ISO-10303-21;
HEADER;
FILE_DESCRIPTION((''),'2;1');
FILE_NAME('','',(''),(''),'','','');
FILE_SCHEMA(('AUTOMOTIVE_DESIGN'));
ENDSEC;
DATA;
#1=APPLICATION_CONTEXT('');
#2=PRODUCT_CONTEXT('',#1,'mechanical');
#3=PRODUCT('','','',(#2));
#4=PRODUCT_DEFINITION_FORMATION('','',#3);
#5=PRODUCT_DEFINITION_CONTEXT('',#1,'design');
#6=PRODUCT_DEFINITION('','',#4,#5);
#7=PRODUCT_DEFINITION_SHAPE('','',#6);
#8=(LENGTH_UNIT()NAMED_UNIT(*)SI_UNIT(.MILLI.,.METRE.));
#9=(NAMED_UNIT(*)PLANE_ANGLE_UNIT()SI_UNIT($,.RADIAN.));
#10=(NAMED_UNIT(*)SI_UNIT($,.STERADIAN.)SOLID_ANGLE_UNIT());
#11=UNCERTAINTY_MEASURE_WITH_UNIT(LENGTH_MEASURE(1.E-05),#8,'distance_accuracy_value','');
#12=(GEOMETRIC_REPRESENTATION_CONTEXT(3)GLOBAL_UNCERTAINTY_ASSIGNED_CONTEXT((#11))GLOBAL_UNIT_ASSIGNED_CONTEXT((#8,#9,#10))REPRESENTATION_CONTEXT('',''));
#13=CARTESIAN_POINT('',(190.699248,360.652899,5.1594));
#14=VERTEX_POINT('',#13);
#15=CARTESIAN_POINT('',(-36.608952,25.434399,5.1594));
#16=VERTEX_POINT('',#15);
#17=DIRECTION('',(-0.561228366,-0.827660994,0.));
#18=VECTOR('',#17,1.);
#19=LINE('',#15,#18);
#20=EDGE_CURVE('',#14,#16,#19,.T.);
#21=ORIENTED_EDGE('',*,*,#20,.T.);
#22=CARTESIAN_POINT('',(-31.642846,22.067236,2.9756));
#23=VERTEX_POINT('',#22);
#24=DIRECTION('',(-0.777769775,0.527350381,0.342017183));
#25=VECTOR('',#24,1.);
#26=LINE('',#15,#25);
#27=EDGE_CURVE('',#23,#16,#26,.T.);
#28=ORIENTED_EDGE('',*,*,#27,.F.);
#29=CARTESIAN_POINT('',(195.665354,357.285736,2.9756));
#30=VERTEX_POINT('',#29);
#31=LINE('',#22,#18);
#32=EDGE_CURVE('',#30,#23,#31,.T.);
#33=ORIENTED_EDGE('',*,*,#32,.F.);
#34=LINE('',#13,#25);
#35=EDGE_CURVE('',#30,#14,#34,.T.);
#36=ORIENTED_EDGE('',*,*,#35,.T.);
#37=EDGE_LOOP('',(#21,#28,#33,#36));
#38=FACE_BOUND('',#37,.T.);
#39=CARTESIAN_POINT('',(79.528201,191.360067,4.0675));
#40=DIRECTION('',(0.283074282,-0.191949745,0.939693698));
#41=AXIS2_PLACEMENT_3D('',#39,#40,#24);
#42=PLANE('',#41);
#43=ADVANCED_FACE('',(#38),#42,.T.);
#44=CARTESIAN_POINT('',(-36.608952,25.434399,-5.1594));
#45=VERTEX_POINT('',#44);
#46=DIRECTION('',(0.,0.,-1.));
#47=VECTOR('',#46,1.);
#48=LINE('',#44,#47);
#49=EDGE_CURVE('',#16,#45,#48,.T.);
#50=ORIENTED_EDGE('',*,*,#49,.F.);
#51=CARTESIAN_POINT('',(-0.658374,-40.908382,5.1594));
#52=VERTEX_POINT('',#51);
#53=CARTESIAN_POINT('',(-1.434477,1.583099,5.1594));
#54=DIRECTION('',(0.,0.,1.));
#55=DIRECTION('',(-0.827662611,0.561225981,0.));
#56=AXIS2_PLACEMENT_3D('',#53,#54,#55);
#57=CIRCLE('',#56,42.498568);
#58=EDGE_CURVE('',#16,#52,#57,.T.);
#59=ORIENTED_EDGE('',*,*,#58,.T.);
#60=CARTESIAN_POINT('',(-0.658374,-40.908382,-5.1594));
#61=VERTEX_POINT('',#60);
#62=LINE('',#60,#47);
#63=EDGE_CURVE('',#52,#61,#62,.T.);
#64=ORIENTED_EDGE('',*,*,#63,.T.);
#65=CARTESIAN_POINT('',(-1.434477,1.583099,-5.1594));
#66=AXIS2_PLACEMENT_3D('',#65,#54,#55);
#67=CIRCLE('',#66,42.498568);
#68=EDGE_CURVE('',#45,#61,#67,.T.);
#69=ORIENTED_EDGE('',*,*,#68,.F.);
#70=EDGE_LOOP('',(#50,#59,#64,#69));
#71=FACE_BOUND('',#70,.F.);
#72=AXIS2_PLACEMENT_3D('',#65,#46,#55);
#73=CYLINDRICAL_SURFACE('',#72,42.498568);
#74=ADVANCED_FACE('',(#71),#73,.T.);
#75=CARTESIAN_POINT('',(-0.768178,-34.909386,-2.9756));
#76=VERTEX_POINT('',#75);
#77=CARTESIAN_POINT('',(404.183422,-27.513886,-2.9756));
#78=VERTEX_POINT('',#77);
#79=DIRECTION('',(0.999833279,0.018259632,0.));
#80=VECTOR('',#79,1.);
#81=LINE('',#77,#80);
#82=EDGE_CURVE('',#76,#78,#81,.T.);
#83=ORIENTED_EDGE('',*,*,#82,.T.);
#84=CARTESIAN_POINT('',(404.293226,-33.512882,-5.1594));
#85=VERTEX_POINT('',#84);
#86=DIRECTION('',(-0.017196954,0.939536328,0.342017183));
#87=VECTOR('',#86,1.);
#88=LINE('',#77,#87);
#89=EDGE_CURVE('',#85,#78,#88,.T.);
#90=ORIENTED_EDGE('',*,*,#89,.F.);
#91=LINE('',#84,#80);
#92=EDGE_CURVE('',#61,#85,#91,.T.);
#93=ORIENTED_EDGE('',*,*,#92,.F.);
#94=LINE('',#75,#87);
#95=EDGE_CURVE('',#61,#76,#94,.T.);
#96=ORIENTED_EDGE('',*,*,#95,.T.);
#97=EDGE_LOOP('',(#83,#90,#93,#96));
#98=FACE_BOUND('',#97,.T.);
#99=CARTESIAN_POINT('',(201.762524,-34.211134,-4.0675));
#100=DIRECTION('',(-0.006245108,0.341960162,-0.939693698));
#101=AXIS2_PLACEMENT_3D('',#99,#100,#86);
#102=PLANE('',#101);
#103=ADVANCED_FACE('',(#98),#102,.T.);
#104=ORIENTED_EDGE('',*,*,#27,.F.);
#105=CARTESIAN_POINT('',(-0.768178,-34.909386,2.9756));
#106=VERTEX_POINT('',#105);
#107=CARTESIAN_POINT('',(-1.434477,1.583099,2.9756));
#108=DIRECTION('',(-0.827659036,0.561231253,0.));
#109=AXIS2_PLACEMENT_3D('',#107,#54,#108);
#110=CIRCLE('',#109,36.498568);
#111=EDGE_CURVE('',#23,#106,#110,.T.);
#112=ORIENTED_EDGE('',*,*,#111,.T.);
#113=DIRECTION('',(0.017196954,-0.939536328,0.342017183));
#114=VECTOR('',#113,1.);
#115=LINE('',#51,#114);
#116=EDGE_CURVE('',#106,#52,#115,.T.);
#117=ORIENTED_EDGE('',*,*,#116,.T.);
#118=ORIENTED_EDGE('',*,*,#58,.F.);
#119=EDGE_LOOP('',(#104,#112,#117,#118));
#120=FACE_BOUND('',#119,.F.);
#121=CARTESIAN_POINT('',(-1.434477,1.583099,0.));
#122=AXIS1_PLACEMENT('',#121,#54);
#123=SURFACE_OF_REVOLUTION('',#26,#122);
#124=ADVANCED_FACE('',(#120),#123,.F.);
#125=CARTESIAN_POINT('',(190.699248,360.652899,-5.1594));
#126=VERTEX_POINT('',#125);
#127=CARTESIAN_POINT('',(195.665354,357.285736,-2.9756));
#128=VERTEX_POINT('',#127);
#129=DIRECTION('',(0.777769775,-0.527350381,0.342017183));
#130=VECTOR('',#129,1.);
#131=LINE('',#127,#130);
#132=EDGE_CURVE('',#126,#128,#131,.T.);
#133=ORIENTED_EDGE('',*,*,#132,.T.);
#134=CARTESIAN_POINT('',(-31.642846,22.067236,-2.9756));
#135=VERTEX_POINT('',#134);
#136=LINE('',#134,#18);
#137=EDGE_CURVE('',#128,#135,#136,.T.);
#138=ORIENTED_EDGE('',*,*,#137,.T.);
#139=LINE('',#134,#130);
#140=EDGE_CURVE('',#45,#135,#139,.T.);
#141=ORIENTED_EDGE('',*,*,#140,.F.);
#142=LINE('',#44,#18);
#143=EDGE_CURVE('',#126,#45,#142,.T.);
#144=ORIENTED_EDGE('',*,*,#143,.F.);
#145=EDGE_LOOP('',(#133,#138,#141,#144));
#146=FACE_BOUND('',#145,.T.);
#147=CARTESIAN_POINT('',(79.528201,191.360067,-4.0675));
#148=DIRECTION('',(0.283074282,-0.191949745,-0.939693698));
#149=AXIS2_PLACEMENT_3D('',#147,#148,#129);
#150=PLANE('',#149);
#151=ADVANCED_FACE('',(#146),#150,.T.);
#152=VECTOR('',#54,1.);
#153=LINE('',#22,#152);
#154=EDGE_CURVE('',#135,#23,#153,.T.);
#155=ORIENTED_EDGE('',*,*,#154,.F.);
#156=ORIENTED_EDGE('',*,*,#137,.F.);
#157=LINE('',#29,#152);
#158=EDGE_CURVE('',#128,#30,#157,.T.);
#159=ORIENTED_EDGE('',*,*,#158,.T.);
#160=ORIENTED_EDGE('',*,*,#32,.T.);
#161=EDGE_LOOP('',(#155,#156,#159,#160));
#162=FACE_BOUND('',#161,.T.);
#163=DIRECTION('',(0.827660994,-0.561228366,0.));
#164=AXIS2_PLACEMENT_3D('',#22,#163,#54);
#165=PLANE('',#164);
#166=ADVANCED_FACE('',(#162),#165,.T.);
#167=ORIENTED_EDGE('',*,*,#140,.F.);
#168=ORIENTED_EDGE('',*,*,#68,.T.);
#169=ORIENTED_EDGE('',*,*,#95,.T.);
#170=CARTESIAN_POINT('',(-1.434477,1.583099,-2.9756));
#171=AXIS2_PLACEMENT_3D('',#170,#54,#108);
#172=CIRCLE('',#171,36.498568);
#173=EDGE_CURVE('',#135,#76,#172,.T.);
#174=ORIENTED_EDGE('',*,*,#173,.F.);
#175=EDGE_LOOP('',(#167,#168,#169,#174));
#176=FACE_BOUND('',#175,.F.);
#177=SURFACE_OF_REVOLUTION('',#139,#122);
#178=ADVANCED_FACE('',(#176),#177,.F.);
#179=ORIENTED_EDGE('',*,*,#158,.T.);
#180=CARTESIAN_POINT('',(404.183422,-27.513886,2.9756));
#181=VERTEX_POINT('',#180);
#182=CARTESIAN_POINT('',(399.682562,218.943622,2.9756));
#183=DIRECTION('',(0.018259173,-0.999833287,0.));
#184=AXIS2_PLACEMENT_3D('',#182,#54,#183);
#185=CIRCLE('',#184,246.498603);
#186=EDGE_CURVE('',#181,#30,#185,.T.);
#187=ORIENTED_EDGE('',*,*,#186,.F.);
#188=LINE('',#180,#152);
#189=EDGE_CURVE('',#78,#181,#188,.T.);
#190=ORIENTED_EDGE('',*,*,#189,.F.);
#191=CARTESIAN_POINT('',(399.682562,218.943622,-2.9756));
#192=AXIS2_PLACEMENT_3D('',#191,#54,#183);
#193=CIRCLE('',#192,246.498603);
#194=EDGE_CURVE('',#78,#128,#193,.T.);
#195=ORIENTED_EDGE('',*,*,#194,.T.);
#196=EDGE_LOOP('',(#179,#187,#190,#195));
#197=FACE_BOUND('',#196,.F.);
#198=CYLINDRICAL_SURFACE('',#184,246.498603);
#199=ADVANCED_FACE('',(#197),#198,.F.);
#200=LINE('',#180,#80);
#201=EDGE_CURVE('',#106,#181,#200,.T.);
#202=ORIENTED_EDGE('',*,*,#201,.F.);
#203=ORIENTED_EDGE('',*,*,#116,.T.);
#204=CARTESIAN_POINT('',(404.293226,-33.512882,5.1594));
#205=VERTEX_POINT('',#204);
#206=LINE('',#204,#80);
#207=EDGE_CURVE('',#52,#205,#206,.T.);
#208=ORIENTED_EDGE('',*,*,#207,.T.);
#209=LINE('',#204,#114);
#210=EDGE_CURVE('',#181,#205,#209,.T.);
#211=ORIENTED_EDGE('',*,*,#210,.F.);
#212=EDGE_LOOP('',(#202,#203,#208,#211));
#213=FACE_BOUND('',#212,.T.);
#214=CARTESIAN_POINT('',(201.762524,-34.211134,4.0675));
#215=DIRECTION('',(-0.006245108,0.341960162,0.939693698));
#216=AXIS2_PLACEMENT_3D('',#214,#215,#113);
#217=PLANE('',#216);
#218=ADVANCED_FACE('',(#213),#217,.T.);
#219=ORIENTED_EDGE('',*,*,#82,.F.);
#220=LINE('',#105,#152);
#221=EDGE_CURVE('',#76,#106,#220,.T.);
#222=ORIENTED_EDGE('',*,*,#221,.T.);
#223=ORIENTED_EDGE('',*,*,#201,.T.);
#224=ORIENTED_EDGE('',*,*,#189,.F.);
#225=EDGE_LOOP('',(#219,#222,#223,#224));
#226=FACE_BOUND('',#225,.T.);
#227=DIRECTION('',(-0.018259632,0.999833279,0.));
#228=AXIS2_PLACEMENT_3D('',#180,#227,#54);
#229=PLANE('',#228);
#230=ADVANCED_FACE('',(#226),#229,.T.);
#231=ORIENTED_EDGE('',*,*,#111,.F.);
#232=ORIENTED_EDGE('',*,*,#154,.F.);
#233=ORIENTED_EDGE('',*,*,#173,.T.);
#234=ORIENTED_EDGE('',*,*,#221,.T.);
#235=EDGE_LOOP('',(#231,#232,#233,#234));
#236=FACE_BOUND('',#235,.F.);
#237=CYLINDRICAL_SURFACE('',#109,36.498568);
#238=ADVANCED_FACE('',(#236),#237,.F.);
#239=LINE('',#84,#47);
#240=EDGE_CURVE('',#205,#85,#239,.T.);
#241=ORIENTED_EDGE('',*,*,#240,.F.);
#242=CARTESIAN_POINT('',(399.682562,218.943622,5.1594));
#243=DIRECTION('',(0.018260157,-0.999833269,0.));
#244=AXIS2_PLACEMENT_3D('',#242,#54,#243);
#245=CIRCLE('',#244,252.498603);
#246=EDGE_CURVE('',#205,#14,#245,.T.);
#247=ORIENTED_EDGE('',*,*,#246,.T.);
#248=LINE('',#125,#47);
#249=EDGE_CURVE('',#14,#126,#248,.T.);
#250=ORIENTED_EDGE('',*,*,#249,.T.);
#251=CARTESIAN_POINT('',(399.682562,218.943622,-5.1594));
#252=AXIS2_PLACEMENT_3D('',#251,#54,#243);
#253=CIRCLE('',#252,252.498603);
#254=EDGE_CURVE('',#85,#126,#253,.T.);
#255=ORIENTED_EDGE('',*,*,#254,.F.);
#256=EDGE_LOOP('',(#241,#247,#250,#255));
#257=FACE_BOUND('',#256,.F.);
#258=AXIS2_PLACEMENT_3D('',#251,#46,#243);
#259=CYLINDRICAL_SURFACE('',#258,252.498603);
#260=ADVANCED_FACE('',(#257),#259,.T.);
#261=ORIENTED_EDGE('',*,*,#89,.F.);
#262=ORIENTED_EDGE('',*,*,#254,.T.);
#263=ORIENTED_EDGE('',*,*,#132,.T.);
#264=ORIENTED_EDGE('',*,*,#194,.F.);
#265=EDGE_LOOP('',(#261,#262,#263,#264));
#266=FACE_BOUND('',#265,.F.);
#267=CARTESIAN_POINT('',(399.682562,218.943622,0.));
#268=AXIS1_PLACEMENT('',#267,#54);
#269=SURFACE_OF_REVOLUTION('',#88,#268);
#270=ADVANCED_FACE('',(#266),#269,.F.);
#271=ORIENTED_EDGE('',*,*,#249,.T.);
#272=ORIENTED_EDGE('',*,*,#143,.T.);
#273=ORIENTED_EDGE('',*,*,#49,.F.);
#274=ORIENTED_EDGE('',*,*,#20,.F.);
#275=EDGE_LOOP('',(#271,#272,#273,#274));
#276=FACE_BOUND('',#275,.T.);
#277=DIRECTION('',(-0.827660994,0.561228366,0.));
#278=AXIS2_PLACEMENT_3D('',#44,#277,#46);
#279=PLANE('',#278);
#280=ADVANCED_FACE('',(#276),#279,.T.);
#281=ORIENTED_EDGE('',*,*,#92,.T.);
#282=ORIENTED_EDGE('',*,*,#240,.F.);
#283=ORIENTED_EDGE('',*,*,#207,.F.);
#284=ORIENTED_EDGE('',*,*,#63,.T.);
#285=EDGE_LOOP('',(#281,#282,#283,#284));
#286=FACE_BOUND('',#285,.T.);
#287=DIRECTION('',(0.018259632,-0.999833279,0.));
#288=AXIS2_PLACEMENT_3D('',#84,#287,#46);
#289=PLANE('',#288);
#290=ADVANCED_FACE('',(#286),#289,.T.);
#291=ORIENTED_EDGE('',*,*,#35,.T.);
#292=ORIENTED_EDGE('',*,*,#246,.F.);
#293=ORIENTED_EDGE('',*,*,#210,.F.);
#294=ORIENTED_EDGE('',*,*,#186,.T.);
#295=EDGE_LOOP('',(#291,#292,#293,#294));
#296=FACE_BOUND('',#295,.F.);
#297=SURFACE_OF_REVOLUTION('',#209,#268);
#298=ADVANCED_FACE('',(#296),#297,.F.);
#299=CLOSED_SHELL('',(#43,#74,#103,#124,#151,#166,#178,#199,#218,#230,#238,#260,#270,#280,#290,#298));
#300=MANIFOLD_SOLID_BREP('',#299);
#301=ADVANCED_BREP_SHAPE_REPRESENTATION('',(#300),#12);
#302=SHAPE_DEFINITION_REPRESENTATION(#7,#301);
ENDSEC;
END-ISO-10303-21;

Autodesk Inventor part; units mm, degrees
ref_plane "YZ Plane" through (0, 0, 0) normal (1, 0, 0) x (0, 1, 0)
ref_plane "XZ Plane" through (0, 0, 0) normal (0, 1, 0) x (-1, 0, 0)
sketch "Sketch Path" plane through (0, 0, 0) normal (0, 0, 1) x (1, 0, 0)
  arc A0 (-34.5409, 24.0322) -> (-0.7041, -38.4102) centre (-1.4345, 1.5831) ccw
  arc A1 (404.2475, -31.0147) -> (192.7673, 359.2507) centre (399.6826, 218.9436) ccw
  line L0 (404.2475, -31.0147) -> (-0.7041, -38.4102)
  line L1 (-34.5409, 24.0322) -> (192.7673, 359.2507)
ref_plane "Cross Section Plane" through (-0.7041, -38.4102, 0) normal (0.9998, 0.0183, 0) x (0, 0, 1)
sketch "Cross Section" plane through (-0.7041, -38.4102, 0) normal (0.9998, 0.0183, 0) x (0, 0, 1)
  line L0 (0, 2.4986) -> (0, -3.5014) construction
  line L1 (-4.25, 0) -> (4.25, 0) construction
  line L2 (-5.1594, 2.4986) -> (5.1594, 2.4986)
  line L3 (5.1594, 2.4986) -> (2.9756, -3.5014)
  line L4 (2.9756, -3.5014) -> (-2.9756, -3.5014)
  line L5 (-2.9756, -3.5014) -> (-5.1594, 2.4986)
  point P0 (0, 0)
  point P1 (0, 0)
  point P2 (0, 0)
  dimension "d0" = 8.5
  dimension "d1" = 2.4986
  dimension "d2" = 40
  dimension "d3" = 6
sweep "Belt" add profiles "Cross Section" path "Sketch Path"
equation "\"d0\" = da_Bw"
equation "\"d1\" = da_Hw"
equation "\"d2\" = da_Alfa"
equation "\"d3\" = da_H"
equation "\"da_Alfa\" = 40deg"
equation "\"da_H\" = 6"
equation "\"da_Bw\" = 8.5"
equation "\"da_Hw\" = 2.49859"
properties part number "V-Belt" material "Rubber"
